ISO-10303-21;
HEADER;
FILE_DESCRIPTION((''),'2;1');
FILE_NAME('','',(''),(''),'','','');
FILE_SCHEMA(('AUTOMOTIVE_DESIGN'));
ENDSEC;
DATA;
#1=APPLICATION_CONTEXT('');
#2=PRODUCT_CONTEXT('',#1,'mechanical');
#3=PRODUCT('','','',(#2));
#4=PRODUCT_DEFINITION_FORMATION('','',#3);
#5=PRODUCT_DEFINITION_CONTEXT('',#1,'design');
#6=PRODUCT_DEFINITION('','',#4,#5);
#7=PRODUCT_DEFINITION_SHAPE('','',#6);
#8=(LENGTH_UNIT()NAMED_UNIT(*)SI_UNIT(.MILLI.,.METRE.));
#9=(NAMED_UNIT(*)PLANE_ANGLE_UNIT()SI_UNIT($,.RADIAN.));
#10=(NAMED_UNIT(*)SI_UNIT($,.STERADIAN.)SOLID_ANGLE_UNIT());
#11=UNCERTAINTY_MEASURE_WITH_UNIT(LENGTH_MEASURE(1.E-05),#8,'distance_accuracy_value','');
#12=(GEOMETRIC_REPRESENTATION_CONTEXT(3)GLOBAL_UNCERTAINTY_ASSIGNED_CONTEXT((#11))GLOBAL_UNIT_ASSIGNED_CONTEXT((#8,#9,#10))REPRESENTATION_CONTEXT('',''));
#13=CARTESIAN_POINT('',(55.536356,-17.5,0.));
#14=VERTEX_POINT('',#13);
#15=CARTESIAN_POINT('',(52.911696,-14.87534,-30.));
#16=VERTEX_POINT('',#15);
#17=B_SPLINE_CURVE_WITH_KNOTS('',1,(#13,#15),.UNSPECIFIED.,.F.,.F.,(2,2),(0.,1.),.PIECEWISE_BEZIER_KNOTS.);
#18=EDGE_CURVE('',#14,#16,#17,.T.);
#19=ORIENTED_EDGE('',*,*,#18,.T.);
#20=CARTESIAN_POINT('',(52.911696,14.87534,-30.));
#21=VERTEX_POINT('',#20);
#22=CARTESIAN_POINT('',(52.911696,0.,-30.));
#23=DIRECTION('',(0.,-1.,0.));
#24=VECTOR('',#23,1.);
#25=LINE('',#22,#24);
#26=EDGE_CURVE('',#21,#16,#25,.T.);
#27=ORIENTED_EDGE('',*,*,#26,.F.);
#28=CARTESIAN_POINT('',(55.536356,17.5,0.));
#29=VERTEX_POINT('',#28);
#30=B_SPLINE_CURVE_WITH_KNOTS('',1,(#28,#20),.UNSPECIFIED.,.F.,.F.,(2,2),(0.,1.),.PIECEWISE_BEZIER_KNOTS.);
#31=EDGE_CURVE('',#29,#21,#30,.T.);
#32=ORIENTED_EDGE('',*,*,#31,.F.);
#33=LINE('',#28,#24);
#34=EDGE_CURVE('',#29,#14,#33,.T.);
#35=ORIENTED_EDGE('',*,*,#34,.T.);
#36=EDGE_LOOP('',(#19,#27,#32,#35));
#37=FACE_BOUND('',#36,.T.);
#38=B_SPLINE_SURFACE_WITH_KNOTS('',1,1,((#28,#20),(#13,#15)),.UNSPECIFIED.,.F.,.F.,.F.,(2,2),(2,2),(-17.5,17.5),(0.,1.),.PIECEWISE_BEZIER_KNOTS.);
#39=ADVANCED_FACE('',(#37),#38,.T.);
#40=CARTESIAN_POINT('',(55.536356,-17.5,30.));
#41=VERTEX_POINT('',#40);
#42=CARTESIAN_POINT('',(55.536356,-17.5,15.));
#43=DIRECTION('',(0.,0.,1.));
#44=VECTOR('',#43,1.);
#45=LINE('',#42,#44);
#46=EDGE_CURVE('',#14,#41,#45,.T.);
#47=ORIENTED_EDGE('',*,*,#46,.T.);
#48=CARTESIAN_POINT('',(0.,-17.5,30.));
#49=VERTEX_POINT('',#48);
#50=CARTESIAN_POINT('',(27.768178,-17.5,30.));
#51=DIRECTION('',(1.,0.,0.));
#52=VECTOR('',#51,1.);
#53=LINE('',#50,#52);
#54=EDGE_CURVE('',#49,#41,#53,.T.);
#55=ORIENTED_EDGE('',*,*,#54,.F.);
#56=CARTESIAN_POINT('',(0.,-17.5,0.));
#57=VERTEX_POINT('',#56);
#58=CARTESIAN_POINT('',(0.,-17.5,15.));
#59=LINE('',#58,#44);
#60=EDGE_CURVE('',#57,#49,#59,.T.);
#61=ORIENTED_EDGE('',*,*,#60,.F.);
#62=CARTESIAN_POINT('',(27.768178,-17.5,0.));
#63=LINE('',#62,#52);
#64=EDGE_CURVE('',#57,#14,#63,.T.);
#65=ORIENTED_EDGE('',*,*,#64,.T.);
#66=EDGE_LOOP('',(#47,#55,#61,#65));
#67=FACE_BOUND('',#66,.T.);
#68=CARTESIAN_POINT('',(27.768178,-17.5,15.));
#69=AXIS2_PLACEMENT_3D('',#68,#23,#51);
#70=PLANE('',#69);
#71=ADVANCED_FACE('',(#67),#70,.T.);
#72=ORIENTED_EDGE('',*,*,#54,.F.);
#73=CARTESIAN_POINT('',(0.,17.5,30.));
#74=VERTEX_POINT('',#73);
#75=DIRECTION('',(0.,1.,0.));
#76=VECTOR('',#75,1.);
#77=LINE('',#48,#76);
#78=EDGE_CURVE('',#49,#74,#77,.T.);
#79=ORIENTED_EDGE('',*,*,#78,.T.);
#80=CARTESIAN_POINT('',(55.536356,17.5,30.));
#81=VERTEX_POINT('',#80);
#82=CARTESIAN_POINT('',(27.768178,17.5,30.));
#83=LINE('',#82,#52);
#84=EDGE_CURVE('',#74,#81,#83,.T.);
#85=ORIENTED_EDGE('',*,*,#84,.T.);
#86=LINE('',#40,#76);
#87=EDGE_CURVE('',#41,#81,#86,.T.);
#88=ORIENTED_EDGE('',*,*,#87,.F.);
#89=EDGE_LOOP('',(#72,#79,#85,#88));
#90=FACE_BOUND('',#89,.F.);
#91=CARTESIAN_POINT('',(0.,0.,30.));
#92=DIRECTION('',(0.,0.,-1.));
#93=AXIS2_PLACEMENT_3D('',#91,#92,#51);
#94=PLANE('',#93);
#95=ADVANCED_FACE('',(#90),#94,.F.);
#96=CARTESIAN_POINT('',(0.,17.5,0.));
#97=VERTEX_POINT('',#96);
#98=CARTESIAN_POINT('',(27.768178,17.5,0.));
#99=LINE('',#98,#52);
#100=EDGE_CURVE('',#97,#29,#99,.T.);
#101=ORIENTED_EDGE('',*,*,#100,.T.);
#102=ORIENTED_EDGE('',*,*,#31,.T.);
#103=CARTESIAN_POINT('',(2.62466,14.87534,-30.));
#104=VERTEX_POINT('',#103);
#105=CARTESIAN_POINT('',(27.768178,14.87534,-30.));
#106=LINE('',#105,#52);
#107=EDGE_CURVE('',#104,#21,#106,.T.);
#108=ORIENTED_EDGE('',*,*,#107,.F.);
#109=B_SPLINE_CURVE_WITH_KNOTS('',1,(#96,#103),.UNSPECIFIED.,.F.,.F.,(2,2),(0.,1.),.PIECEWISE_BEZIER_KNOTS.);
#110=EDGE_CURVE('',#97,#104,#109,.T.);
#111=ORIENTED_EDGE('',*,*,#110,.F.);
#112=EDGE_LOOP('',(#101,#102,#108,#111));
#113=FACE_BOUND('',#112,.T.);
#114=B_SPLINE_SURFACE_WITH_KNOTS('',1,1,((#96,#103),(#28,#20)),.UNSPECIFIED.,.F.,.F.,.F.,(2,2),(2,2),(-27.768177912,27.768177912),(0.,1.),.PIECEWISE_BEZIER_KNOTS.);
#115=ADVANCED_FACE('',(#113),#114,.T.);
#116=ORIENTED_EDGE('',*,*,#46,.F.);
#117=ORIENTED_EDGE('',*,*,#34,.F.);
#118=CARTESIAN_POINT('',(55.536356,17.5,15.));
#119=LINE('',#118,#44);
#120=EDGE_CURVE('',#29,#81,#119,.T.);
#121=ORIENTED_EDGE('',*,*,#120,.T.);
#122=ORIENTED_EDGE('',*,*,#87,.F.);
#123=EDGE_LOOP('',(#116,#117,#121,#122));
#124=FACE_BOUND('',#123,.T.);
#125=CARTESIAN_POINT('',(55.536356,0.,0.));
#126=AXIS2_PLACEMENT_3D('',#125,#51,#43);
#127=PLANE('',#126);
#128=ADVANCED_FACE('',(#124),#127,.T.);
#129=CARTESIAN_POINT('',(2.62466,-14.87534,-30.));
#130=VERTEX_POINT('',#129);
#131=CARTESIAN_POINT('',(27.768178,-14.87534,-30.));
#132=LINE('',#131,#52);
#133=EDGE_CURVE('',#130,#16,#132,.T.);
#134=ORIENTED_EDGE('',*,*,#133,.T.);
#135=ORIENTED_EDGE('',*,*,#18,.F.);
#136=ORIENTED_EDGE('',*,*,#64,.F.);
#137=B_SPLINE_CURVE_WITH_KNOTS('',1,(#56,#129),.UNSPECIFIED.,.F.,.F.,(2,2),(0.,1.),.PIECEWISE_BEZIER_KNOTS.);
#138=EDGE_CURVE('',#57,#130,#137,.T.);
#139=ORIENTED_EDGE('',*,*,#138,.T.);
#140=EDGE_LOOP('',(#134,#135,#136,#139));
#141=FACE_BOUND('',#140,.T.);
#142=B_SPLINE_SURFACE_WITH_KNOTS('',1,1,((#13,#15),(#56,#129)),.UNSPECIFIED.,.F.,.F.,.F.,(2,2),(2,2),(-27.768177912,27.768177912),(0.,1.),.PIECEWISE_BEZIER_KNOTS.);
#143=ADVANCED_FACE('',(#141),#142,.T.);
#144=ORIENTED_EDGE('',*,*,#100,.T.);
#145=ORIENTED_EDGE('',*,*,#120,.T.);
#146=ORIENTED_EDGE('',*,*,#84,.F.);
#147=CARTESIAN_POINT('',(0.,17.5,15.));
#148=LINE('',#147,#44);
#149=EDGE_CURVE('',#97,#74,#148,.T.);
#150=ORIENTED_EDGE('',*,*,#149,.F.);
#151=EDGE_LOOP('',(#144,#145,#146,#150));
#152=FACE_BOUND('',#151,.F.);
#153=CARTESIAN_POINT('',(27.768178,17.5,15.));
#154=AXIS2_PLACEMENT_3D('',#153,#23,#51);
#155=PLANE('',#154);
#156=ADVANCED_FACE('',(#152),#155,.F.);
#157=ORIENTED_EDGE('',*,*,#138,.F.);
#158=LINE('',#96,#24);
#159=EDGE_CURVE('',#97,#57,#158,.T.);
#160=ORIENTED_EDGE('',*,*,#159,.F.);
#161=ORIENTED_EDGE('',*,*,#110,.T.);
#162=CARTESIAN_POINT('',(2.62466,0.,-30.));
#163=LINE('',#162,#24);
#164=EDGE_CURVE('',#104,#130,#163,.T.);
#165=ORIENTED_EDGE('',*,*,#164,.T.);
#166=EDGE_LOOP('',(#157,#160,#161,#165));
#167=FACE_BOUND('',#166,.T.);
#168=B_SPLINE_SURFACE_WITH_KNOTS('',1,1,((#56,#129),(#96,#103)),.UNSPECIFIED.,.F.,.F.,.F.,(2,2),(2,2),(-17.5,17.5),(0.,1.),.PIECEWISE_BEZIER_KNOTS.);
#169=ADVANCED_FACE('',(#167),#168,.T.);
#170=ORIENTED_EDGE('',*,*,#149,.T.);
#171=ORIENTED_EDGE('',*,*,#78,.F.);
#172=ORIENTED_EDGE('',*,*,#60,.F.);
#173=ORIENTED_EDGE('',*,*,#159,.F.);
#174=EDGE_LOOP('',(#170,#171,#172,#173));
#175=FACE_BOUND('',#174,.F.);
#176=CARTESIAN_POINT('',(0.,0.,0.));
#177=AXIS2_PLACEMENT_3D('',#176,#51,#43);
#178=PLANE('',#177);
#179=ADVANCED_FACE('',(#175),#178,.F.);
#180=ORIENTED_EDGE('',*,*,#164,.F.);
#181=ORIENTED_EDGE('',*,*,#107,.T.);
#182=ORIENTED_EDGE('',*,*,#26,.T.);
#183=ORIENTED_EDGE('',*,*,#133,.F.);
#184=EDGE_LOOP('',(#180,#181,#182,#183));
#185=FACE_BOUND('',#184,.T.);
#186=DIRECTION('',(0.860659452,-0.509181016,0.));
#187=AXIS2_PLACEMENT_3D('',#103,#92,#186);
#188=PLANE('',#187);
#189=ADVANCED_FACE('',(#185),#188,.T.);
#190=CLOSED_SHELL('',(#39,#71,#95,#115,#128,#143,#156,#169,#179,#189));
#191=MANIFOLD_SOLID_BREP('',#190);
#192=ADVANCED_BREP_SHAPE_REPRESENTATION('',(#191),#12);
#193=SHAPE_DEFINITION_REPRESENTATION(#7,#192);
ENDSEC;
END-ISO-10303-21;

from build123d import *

# Parameters (mm, degrees)
F0_W      = 55.5363558233
F0_H      = 30
F1_DEPTH  = 17.5
F1_FACE_W = 55.5363558233
F1_FACE_H = 35
F2_DEPTH  = 30
F2_TAPER  = 5


with BuildPart() as f1:
    # F0 (on Front) → F1 (new body, symmetric)
    with BuildSketch(Plane.XZ):
        with Locations((27.7681779116, 15)):
            Rectangle(F0_W, F0_H)
    extrude(amount=F1_DEPTH, both=True)

    # F1_face (on face) → F2 (join)
    with BuildSketch(Plane(origin=(27.7681779116, 0, 0), x_dir=(1, 0, 0), z_dir=(0, 0, -1))):
        Rectangle(F1_FACE_W, F1_FACE_H)
    extrude(amount=F2_DEPTH, taper=F2_TAPER)


solid = f1.part
